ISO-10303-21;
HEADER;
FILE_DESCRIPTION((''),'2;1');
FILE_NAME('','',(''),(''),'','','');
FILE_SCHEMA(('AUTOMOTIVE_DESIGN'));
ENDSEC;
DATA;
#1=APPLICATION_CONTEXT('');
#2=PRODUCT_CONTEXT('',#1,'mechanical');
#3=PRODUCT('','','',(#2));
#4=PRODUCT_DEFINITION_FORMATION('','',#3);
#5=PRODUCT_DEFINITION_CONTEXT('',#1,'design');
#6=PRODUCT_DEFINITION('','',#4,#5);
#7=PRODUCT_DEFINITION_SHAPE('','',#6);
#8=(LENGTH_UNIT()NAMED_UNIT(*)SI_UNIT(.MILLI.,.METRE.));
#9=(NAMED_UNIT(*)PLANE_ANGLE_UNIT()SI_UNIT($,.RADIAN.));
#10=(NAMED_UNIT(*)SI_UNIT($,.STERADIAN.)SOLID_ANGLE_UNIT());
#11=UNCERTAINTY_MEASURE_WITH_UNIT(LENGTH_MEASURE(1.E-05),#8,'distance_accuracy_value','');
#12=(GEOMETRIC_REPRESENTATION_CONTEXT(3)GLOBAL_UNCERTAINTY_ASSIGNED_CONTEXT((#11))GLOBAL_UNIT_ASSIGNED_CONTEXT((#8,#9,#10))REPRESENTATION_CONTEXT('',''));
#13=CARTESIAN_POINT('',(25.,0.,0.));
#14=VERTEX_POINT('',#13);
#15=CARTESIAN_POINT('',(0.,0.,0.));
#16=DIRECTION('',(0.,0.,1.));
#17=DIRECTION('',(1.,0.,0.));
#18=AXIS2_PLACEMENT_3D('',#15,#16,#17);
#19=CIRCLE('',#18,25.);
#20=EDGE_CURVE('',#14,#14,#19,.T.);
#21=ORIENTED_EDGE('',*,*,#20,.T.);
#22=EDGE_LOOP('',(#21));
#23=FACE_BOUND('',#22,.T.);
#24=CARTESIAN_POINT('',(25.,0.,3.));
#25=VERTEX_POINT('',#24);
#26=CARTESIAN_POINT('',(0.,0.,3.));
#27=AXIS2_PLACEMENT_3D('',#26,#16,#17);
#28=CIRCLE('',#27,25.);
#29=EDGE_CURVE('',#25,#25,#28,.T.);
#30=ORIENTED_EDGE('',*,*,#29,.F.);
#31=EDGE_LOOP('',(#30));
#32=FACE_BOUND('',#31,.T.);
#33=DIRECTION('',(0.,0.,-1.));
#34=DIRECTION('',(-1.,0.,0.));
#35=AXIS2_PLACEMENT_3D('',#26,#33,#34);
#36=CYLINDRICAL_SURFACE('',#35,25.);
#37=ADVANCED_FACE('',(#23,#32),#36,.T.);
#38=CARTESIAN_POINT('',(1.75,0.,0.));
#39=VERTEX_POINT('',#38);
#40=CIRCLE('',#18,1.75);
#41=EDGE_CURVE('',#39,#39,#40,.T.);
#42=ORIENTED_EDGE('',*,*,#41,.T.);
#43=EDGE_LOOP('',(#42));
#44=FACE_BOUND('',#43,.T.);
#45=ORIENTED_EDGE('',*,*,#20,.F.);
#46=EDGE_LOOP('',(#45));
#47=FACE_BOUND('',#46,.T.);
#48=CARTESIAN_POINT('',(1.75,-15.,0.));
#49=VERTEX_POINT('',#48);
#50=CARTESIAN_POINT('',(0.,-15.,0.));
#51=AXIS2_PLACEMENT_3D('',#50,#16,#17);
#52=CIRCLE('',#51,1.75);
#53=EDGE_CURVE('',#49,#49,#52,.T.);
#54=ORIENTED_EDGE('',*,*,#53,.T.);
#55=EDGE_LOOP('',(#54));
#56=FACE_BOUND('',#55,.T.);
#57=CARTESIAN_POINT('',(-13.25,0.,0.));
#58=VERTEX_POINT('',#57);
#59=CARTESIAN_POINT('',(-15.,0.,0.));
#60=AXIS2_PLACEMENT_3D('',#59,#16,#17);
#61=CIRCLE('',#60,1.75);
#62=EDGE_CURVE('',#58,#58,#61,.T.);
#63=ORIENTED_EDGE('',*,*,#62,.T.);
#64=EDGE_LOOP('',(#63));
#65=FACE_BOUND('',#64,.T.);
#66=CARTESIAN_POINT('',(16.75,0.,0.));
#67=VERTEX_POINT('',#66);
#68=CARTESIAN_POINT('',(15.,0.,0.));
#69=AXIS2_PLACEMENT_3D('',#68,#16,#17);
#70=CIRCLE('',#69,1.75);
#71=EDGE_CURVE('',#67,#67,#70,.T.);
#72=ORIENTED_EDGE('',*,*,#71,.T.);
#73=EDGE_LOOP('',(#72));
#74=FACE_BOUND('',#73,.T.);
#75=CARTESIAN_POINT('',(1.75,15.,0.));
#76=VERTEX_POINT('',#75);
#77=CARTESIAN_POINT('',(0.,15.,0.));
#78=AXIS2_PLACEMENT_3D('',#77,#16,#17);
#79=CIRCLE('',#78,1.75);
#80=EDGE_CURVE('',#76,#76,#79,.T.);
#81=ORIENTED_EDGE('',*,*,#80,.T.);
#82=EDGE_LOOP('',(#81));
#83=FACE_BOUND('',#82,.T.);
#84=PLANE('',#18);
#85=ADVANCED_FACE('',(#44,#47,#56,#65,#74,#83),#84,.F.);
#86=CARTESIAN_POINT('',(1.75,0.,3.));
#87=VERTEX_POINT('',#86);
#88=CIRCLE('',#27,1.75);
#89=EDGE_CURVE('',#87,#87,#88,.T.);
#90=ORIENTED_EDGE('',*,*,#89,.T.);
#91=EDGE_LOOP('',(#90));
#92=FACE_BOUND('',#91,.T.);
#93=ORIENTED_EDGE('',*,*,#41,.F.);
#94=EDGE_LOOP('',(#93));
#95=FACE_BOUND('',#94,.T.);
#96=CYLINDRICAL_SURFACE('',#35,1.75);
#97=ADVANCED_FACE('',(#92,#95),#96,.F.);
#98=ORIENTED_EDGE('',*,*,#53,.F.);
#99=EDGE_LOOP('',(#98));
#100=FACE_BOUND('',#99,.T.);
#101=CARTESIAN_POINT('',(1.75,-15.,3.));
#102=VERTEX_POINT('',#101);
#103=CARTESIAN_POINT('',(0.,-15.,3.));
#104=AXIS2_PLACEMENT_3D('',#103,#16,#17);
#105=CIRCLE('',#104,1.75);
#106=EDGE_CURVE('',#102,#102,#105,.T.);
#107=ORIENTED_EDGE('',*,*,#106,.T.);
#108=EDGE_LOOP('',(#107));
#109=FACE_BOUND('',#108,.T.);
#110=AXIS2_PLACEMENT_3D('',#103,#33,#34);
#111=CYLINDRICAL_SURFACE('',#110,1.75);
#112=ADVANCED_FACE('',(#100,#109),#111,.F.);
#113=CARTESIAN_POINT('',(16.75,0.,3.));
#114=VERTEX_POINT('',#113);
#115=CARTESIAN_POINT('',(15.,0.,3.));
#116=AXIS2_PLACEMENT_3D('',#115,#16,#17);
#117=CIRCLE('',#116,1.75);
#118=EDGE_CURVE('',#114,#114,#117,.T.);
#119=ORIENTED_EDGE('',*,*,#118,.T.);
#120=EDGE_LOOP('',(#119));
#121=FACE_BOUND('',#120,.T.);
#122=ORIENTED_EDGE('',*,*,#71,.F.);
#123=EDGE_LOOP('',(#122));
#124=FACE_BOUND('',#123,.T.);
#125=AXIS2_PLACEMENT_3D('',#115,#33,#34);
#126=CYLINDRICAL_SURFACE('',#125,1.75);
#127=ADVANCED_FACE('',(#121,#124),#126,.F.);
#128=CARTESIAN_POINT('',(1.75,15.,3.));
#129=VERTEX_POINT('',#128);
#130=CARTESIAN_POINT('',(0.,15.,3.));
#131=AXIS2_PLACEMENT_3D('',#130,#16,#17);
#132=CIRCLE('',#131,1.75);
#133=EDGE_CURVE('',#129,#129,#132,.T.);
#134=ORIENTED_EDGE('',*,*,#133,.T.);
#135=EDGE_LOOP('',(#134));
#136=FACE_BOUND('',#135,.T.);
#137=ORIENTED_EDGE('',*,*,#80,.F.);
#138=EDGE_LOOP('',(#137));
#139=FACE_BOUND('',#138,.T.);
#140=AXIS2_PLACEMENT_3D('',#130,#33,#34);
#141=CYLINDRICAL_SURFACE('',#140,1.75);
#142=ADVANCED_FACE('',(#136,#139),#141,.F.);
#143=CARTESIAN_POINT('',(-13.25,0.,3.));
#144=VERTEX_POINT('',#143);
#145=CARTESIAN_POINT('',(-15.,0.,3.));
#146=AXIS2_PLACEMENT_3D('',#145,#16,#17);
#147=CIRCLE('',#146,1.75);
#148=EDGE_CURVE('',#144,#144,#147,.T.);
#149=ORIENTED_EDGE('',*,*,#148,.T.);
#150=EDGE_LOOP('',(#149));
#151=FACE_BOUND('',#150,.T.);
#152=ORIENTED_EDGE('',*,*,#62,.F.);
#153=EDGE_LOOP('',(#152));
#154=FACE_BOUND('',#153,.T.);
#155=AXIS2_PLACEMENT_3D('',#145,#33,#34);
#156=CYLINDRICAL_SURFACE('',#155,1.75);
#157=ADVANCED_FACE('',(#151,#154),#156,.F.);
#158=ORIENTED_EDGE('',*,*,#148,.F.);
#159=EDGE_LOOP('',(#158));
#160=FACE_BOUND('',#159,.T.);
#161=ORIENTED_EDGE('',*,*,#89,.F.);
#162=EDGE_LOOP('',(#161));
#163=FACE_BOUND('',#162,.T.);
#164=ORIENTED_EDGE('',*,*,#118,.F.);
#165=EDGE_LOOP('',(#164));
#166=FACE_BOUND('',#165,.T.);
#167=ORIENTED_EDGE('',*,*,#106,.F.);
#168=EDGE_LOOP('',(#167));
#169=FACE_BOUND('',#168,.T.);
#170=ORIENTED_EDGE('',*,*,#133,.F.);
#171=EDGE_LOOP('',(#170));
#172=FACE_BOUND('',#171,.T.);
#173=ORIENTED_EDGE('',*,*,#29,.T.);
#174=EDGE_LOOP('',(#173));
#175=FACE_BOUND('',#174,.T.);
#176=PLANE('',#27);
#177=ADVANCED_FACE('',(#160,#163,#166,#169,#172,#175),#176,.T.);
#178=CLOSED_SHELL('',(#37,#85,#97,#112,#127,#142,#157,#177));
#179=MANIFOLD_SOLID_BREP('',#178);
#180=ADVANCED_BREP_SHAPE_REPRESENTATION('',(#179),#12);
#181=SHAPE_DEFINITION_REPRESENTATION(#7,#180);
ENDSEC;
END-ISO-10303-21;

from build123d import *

# Parameters (mm, degrees)
SKETCH_1_R      = 25
SKETCH_1_R_2    = 1.75
EXTRUDE_1_DEPTH = 3


with BuildPart() as part:
    # 草圖1 → 伸長1 (new body)
    with BuildSketch(Plane.XY):
        Circle(SKETCH_1_R)
        Circle(SKETCH_1_R_2, mode=Mode.SUBTRACT)
        with Locations((0, 15)):
            Circle(SKETCH_1_R_2, mode=Mode.SUBTRACT)
        with Locations((15, 0)):
            Circle(SKETCH_1_R_2, mode=Mode.SUBTRACT)
        with Locations((0, -15)):
            Circle(SKETCH_1_R_2, mode=Mode.SUBTRACT)
        with Locations((-15, 0)):
            Circle(SKETCH_1_R_2, mode=Mode.SUBTRACT)
    extrude(amount=EXTRUDE_1_DEPTH)


solid = part.part
